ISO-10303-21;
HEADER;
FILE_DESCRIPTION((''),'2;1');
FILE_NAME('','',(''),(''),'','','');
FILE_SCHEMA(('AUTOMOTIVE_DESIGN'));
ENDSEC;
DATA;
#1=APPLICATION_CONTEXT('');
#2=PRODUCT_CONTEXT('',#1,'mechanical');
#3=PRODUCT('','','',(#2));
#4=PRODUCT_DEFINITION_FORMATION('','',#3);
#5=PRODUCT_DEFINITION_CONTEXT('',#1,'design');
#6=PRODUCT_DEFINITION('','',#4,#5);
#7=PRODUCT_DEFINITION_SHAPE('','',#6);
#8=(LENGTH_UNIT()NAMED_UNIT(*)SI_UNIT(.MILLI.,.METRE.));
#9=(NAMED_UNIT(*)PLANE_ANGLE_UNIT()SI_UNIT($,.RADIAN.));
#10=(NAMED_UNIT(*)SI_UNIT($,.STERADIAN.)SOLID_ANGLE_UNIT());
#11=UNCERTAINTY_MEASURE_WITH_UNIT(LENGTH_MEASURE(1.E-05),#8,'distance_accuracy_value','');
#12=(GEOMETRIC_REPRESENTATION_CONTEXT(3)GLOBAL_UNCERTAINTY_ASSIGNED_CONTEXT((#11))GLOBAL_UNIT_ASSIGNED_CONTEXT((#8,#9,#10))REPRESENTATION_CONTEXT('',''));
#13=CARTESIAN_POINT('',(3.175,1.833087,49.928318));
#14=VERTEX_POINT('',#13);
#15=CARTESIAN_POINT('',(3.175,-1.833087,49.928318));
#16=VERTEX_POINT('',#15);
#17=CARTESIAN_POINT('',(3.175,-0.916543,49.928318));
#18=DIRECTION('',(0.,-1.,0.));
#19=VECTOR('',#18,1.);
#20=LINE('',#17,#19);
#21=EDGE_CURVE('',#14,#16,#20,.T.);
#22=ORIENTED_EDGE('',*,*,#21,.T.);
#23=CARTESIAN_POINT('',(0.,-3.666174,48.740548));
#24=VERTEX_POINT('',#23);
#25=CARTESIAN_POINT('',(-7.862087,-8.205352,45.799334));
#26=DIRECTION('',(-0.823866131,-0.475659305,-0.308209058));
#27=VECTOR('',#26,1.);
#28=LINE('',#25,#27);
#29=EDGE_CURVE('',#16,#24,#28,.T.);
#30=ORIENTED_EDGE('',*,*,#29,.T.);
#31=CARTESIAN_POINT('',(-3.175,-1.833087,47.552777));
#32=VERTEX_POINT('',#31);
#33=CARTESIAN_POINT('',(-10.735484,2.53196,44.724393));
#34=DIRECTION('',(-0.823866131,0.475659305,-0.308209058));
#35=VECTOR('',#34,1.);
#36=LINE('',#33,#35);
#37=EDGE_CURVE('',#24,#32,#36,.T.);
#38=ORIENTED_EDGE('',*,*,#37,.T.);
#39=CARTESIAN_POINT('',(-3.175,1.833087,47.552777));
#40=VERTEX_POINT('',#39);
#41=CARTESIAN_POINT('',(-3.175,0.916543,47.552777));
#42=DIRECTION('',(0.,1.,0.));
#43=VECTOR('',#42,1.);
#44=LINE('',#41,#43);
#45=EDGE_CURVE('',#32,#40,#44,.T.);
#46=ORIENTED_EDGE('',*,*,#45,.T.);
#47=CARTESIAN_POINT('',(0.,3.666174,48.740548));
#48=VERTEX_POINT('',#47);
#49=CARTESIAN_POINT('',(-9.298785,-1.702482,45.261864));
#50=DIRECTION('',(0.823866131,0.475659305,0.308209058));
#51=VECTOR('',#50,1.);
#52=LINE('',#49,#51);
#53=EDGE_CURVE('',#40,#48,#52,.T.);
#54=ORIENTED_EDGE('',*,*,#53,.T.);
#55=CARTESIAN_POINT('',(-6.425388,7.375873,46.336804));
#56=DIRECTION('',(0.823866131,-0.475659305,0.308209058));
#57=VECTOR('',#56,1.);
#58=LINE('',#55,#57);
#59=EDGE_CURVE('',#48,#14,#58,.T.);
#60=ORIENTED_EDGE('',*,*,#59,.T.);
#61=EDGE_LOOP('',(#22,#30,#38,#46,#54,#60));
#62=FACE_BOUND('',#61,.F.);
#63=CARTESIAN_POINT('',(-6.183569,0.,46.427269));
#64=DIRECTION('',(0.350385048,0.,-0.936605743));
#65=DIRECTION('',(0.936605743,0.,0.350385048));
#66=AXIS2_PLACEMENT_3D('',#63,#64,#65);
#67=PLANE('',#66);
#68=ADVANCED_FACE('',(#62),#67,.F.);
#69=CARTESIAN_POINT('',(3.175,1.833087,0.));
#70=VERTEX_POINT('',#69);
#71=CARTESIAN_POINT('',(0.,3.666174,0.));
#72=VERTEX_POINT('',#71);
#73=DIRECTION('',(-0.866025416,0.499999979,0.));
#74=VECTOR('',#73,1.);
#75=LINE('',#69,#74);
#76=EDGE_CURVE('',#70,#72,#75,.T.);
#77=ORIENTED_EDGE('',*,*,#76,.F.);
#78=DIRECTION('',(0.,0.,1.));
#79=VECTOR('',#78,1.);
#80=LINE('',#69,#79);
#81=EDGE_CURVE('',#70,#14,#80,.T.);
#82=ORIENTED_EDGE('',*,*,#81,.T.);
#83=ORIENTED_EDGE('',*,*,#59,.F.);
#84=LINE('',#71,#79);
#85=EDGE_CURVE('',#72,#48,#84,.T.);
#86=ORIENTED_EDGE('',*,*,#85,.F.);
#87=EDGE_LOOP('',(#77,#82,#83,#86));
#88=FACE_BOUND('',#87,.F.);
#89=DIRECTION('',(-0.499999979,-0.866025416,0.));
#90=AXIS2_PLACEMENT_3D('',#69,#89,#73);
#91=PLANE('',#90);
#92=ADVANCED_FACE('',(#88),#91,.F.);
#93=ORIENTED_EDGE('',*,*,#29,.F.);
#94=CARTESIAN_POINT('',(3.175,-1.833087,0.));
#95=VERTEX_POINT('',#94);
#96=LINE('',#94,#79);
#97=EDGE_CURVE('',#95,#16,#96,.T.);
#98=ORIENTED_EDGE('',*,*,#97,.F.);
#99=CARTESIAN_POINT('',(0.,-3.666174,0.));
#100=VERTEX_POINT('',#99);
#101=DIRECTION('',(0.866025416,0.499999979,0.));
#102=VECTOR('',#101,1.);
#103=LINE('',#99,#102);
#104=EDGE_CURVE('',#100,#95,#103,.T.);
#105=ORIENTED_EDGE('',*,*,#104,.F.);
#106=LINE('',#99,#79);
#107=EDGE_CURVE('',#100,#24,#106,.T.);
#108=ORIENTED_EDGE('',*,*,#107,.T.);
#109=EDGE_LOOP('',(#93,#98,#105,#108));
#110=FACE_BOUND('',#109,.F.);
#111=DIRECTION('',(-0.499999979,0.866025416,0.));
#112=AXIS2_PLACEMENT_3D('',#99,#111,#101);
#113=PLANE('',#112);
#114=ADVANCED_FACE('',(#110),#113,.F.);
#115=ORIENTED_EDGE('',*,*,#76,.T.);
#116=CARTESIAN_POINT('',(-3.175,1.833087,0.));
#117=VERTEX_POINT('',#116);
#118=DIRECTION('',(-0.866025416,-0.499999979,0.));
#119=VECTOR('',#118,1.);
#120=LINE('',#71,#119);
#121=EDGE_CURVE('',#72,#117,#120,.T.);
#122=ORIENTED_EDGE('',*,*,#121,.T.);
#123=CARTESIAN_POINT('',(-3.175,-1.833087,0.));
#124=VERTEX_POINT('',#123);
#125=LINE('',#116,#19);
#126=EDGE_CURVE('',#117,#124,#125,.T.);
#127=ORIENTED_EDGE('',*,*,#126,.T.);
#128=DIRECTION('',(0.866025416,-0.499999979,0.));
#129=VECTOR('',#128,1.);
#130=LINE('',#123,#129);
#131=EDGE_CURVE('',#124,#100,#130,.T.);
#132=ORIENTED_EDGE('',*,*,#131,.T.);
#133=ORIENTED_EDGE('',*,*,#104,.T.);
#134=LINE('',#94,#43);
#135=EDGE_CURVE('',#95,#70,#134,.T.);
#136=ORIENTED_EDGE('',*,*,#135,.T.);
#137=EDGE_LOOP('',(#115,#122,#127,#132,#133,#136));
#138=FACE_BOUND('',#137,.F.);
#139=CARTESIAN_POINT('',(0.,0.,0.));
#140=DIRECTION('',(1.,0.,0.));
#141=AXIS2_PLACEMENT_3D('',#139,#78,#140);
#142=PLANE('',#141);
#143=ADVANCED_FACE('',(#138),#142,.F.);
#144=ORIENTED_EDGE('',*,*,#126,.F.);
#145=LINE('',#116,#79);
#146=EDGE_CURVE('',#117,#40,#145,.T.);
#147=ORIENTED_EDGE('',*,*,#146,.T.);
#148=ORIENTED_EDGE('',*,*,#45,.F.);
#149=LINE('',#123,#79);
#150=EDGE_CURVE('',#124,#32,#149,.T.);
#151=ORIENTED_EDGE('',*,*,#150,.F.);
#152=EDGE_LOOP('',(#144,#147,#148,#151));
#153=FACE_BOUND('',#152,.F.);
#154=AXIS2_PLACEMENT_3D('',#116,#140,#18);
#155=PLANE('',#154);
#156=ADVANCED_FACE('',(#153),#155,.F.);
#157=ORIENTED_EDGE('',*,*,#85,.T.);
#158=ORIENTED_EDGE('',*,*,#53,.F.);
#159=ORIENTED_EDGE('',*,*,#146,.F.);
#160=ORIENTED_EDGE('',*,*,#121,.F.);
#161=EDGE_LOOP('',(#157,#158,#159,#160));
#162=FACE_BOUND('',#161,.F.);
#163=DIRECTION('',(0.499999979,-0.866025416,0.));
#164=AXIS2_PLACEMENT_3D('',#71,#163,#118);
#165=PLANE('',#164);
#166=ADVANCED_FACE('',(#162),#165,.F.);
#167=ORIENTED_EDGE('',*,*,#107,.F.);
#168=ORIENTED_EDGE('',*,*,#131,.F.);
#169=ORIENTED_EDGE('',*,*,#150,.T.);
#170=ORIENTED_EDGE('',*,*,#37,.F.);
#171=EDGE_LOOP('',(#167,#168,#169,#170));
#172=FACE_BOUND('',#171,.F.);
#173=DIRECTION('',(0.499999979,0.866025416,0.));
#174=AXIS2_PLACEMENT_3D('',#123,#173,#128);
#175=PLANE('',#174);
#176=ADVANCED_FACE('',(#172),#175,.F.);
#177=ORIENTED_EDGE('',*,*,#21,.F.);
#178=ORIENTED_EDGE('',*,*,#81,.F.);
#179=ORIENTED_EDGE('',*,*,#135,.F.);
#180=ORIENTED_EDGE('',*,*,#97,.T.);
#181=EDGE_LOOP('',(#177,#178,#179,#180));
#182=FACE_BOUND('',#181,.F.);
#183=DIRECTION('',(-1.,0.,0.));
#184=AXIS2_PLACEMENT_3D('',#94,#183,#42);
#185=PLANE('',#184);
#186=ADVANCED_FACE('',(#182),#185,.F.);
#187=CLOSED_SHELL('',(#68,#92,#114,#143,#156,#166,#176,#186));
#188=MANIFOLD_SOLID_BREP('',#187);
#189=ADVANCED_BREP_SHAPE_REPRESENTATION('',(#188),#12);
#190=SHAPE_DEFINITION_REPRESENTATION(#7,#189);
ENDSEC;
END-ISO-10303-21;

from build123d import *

# Parameters (mm, degrees)
F1_DEPTH = 50.8
F3_DEPTH = 12.7


with BuildPart() as f1:
    # F0 (on Top) → F1 (new body)
    with BuildSketch(Plane.XY):
        Polygon((0, 3.666174), (-3.175, 1.833087), (-3.175, -1.833087), (0, -3.666174), (3.175, -1.833087), (3.175, 1.833087), align=None)
    extrude(amount=F1_DEPTH)

    # F2 (on Front) → F3 (cut, symmetric)
    with BuildSketch(Plane.XZ):
        Polygon((-6.354235, 54.107219), (-6.183569, 46.427269), (5.677683, 50.864574), (5.677683, 54.107219), align=None)
    extrude(amount=F3_DEPTH, both=True, mode=Mode.SUBTRACT)


solid = f1.part
